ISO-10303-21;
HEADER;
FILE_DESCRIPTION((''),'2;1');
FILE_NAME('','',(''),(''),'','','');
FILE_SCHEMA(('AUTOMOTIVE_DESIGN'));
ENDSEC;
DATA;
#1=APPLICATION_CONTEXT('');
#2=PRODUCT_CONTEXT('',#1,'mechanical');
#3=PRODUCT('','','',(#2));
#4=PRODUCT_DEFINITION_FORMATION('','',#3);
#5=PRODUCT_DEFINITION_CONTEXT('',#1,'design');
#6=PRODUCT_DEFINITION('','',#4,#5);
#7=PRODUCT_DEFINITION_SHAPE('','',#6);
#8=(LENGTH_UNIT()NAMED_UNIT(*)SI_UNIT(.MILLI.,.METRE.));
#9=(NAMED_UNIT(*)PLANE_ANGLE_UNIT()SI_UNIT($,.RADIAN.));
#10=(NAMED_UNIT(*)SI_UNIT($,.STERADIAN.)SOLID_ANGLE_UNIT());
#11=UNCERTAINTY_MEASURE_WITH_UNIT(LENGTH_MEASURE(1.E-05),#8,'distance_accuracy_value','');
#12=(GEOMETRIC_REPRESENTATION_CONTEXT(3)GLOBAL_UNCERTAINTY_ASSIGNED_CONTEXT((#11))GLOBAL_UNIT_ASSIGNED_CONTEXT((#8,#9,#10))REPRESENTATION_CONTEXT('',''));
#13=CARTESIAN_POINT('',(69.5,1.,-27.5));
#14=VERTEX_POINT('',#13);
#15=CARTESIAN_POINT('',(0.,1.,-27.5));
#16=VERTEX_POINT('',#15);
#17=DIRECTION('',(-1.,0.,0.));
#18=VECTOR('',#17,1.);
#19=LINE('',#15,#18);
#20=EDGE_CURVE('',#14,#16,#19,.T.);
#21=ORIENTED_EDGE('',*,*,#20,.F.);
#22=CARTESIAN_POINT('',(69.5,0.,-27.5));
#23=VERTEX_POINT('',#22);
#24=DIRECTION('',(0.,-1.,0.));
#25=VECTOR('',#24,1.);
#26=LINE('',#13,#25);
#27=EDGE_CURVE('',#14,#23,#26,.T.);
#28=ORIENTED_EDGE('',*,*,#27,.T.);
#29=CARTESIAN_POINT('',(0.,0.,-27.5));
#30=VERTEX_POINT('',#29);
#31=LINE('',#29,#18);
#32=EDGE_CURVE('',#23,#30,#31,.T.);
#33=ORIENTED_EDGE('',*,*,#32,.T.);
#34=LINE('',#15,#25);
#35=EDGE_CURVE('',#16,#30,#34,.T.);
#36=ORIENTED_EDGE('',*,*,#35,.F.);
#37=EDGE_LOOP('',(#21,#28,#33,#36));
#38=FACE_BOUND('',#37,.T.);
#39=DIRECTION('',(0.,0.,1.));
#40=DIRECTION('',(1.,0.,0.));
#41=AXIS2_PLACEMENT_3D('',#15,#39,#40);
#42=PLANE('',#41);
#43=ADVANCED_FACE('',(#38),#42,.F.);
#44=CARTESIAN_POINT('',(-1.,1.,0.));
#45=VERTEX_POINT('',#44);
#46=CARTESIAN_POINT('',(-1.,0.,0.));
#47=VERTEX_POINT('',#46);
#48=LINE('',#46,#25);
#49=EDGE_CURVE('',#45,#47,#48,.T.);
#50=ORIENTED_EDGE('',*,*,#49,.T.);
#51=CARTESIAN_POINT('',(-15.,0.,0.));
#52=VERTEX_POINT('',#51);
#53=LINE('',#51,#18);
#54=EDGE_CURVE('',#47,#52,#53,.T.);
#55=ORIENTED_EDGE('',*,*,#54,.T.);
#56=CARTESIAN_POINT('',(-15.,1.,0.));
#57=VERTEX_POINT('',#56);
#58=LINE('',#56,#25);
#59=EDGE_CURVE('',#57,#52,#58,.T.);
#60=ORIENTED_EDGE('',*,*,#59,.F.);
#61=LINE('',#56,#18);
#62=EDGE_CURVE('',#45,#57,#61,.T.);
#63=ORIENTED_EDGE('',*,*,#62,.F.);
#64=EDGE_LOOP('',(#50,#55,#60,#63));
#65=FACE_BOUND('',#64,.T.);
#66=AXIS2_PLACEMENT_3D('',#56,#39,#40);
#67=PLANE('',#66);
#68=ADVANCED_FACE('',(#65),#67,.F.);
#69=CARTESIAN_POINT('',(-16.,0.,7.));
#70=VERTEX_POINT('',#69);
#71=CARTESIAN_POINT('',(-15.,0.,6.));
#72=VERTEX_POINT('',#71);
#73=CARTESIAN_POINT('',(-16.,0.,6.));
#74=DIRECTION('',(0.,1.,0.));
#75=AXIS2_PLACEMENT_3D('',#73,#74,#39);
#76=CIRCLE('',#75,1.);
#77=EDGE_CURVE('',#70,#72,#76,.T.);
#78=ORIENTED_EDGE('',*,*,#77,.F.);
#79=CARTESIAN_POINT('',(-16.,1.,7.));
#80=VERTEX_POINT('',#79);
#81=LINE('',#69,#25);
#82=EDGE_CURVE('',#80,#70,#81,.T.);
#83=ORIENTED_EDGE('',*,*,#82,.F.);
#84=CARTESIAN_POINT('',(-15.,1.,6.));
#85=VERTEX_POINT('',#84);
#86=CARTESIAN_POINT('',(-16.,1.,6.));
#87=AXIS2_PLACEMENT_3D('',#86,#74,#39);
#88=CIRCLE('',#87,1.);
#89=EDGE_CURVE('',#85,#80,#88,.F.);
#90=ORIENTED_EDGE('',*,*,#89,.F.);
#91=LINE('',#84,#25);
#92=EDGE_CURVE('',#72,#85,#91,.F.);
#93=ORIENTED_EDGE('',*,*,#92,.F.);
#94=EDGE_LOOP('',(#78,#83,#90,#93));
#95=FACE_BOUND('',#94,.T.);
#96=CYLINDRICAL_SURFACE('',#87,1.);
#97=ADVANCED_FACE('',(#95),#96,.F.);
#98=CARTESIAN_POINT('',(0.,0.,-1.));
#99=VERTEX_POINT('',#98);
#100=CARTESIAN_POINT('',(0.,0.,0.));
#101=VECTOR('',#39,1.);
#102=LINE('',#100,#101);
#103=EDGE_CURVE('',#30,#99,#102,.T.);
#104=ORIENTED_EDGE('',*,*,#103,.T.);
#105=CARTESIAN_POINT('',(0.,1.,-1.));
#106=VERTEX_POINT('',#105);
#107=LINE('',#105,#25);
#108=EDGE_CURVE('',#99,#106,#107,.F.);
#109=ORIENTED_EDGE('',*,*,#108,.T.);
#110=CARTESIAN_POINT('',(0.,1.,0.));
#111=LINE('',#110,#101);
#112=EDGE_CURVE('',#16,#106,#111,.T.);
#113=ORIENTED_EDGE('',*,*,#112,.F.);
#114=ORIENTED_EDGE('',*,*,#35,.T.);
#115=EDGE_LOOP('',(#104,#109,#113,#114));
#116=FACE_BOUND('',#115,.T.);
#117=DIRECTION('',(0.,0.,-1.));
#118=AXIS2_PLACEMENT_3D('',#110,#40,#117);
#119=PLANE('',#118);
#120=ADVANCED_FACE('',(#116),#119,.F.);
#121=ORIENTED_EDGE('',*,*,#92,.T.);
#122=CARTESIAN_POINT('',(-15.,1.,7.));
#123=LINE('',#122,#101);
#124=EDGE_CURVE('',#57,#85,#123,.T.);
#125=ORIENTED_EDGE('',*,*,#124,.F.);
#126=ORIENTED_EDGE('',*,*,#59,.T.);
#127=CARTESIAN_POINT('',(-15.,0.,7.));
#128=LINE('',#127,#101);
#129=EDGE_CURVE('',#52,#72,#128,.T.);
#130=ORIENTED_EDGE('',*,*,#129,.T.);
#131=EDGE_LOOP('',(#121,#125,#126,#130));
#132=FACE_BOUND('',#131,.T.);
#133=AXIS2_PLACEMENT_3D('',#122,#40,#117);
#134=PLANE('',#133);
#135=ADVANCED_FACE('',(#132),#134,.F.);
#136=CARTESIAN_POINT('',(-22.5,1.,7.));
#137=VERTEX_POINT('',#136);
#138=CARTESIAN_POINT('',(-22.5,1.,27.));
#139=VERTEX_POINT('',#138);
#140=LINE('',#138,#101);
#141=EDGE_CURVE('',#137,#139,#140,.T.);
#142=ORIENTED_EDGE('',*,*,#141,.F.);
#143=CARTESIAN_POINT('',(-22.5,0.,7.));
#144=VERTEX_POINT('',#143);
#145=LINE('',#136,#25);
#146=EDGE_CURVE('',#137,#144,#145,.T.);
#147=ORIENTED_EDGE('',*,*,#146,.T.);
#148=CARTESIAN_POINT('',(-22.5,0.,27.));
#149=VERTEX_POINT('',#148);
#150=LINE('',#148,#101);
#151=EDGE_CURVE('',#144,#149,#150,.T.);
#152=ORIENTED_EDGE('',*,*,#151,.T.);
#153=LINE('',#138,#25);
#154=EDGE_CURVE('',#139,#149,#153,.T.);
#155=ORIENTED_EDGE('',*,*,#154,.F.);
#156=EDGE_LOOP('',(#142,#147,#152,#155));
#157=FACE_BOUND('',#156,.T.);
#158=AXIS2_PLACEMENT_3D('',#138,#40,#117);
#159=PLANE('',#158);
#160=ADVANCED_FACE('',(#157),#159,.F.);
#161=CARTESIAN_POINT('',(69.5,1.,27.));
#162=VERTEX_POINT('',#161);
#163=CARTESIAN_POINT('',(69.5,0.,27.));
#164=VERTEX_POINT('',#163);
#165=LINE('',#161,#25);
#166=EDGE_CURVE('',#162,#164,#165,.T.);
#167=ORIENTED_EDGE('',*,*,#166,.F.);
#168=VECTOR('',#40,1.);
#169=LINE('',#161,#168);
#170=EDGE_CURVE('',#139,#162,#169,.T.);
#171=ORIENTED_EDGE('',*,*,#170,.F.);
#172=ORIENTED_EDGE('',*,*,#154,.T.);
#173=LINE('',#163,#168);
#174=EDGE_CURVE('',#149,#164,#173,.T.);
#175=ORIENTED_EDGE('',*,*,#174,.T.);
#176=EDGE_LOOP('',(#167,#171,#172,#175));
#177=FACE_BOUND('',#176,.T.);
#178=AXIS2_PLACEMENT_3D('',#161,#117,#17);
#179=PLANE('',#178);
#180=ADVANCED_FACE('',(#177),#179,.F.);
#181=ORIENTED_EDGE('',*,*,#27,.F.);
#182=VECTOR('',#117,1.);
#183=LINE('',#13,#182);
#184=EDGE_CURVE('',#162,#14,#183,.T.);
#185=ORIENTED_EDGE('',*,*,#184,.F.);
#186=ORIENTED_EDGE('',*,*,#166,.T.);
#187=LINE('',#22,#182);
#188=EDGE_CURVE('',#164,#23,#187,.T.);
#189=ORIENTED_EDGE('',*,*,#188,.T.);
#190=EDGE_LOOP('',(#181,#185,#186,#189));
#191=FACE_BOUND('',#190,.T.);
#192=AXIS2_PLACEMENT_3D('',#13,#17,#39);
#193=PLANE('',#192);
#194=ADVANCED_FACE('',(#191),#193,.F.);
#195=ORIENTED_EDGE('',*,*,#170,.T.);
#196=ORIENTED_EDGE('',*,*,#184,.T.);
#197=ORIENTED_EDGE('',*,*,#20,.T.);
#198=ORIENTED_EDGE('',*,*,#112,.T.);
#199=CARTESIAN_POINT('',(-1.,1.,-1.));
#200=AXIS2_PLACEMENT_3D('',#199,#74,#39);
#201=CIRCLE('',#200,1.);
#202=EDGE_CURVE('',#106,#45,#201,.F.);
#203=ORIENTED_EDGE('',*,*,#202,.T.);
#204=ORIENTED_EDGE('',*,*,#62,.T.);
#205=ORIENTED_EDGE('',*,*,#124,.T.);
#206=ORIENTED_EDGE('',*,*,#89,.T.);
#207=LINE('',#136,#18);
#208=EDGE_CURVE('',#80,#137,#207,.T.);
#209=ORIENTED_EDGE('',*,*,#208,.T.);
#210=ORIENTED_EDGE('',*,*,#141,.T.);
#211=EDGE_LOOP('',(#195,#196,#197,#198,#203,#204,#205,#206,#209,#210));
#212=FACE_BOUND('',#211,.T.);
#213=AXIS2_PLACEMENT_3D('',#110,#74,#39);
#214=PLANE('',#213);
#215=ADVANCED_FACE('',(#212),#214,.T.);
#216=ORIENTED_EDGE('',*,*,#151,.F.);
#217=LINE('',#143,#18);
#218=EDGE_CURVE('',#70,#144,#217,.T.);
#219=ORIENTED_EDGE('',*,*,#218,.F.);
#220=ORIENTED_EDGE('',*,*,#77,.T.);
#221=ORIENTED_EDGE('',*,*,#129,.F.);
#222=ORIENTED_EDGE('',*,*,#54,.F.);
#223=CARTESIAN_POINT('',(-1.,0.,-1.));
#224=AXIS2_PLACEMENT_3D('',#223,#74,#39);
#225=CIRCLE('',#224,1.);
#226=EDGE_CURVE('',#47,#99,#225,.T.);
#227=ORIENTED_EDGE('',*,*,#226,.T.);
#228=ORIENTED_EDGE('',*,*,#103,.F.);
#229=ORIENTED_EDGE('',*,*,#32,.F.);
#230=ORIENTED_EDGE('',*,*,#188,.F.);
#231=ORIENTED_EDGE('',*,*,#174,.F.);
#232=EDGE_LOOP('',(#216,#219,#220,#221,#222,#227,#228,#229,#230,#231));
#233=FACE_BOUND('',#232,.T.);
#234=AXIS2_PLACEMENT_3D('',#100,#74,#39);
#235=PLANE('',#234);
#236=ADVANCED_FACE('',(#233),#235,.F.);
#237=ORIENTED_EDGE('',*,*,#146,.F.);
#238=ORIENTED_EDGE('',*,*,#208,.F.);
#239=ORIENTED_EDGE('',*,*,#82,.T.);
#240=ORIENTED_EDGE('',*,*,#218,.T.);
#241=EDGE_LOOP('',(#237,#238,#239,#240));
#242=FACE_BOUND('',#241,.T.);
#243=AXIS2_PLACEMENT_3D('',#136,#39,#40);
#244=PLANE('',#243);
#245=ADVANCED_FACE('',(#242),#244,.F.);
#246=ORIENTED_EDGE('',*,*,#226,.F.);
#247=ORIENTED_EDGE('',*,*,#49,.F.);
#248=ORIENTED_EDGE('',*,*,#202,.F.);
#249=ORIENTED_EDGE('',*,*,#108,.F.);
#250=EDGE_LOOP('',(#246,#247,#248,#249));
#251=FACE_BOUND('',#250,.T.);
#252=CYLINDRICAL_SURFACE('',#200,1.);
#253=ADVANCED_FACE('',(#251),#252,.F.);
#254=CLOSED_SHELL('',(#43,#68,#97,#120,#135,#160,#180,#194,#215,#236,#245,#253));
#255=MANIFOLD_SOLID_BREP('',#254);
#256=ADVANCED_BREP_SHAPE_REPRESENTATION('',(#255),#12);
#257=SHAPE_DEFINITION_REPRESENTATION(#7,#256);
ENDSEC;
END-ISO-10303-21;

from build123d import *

# Parameters (mm, degrees)
BOSS_EXTRUDE1_DEPTH = 1
FILLET1_R           = 1


with BuildPart() as part:
    # Sketch1 → Boss-Extrude1 (new body)
    with BuildSketch(Plane(origin=(0, 0, 0), x_dir=(1, 0, 0), z_dir=(0, 1, 0))):
        Polygon((0, 0), (0, 27.5), (69.5, 27.5), (69.5, -27), (-22.5, -27), (-22.5, -7), (-15, -7), (-15, 0), align=None)
    extrude(amount=BOSS_EXTRUDE1_DEPTH)

    # Fillet1
    fillet1_edges = [part.edges().sort_by_distance(p)[0] for p in [
        (0, 0.5, 0),
        (-15, 0.5, 7),
    ]]
    fillet(fillet1_edges, radius=FILLET1_R)


solid = part.part
